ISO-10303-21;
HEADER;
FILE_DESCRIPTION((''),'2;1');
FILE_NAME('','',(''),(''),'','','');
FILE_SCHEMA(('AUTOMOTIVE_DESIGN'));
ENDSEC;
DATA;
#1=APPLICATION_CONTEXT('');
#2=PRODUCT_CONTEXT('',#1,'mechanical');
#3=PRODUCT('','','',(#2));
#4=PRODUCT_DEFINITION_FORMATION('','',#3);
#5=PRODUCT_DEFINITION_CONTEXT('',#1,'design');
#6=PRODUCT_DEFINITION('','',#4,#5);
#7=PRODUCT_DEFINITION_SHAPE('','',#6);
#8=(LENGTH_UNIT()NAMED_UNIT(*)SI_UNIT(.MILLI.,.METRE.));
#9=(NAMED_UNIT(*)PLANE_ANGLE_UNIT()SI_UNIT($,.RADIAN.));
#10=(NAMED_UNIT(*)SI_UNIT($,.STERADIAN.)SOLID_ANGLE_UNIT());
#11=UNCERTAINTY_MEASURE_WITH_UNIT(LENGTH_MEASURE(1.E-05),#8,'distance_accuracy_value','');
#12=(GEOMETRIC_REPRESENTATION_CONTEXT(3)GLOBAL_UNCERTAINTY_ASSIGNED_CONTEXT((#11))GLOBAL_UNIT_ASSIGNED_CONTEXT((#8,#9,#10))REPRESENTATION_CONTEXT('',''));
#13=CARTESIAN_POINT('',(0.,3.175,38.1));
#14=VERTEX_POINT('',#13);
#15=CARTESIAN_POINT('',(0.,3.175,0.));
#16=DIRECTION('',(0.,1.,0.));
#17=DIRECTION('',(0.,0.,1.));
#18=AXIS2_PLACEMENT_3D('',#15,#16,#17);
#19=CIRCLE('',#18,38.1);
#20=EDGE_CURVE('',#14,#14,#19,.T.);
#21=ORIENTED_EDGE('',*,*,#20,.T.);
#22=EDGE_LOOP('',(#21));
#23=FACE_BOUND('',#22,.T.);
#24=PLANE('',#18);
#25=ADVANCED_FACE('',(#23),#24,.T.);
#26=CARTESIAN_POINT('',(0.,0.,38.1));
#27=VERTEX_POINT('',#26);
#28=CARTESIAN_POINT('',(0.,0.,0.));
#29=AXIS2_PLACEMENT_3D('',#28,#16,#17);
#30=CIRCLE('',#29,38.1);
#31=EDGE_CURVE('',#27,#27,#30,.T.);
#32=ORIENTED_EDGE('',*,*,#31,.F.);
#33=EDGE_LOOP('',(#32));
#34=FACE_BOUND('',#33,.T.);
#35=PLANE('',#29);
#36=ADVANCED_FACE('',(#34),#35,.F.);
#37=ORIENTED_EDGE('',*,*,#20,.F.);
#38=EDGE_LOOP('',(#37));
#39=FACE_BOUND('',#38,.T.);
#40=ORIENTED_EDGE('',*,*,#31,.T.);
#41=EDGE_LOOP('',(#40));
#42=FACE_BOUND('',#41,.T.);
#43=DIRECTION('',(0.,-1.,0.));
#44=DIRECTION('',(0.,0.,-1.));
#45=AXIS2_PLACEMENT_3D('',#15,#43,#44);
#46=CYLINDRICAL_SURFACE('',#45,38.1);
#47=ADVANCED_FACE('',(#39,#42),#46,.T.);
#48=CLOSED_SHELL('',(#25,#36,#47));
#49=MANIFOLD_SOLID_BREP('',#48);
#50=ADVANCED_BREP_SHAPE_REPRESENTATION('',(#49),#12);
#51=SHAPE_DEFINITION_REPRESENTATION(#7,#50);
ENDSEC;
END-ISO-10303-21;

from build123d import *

# Parameters (mm, degrees)
SKETCH1_R           = 38.1
BOSS_EXTRUDE1_DEPTH = 3.175


with BuildPart() as part:
    # Sketch1 → Boss-Extrude1 (new body)
    with BuildSketch(Plane(origin=(0, 0, 0), x_dir=(1, 0, 0), z_dir=(0, 1, 0))):
        with Locations(Location((0, 0, 0), (0, 0, 270))):
            Circle(SKETCH1_R)
    extrude(amount=BOSS_EXTRUDE1_DEPTH)


solid = part.part
